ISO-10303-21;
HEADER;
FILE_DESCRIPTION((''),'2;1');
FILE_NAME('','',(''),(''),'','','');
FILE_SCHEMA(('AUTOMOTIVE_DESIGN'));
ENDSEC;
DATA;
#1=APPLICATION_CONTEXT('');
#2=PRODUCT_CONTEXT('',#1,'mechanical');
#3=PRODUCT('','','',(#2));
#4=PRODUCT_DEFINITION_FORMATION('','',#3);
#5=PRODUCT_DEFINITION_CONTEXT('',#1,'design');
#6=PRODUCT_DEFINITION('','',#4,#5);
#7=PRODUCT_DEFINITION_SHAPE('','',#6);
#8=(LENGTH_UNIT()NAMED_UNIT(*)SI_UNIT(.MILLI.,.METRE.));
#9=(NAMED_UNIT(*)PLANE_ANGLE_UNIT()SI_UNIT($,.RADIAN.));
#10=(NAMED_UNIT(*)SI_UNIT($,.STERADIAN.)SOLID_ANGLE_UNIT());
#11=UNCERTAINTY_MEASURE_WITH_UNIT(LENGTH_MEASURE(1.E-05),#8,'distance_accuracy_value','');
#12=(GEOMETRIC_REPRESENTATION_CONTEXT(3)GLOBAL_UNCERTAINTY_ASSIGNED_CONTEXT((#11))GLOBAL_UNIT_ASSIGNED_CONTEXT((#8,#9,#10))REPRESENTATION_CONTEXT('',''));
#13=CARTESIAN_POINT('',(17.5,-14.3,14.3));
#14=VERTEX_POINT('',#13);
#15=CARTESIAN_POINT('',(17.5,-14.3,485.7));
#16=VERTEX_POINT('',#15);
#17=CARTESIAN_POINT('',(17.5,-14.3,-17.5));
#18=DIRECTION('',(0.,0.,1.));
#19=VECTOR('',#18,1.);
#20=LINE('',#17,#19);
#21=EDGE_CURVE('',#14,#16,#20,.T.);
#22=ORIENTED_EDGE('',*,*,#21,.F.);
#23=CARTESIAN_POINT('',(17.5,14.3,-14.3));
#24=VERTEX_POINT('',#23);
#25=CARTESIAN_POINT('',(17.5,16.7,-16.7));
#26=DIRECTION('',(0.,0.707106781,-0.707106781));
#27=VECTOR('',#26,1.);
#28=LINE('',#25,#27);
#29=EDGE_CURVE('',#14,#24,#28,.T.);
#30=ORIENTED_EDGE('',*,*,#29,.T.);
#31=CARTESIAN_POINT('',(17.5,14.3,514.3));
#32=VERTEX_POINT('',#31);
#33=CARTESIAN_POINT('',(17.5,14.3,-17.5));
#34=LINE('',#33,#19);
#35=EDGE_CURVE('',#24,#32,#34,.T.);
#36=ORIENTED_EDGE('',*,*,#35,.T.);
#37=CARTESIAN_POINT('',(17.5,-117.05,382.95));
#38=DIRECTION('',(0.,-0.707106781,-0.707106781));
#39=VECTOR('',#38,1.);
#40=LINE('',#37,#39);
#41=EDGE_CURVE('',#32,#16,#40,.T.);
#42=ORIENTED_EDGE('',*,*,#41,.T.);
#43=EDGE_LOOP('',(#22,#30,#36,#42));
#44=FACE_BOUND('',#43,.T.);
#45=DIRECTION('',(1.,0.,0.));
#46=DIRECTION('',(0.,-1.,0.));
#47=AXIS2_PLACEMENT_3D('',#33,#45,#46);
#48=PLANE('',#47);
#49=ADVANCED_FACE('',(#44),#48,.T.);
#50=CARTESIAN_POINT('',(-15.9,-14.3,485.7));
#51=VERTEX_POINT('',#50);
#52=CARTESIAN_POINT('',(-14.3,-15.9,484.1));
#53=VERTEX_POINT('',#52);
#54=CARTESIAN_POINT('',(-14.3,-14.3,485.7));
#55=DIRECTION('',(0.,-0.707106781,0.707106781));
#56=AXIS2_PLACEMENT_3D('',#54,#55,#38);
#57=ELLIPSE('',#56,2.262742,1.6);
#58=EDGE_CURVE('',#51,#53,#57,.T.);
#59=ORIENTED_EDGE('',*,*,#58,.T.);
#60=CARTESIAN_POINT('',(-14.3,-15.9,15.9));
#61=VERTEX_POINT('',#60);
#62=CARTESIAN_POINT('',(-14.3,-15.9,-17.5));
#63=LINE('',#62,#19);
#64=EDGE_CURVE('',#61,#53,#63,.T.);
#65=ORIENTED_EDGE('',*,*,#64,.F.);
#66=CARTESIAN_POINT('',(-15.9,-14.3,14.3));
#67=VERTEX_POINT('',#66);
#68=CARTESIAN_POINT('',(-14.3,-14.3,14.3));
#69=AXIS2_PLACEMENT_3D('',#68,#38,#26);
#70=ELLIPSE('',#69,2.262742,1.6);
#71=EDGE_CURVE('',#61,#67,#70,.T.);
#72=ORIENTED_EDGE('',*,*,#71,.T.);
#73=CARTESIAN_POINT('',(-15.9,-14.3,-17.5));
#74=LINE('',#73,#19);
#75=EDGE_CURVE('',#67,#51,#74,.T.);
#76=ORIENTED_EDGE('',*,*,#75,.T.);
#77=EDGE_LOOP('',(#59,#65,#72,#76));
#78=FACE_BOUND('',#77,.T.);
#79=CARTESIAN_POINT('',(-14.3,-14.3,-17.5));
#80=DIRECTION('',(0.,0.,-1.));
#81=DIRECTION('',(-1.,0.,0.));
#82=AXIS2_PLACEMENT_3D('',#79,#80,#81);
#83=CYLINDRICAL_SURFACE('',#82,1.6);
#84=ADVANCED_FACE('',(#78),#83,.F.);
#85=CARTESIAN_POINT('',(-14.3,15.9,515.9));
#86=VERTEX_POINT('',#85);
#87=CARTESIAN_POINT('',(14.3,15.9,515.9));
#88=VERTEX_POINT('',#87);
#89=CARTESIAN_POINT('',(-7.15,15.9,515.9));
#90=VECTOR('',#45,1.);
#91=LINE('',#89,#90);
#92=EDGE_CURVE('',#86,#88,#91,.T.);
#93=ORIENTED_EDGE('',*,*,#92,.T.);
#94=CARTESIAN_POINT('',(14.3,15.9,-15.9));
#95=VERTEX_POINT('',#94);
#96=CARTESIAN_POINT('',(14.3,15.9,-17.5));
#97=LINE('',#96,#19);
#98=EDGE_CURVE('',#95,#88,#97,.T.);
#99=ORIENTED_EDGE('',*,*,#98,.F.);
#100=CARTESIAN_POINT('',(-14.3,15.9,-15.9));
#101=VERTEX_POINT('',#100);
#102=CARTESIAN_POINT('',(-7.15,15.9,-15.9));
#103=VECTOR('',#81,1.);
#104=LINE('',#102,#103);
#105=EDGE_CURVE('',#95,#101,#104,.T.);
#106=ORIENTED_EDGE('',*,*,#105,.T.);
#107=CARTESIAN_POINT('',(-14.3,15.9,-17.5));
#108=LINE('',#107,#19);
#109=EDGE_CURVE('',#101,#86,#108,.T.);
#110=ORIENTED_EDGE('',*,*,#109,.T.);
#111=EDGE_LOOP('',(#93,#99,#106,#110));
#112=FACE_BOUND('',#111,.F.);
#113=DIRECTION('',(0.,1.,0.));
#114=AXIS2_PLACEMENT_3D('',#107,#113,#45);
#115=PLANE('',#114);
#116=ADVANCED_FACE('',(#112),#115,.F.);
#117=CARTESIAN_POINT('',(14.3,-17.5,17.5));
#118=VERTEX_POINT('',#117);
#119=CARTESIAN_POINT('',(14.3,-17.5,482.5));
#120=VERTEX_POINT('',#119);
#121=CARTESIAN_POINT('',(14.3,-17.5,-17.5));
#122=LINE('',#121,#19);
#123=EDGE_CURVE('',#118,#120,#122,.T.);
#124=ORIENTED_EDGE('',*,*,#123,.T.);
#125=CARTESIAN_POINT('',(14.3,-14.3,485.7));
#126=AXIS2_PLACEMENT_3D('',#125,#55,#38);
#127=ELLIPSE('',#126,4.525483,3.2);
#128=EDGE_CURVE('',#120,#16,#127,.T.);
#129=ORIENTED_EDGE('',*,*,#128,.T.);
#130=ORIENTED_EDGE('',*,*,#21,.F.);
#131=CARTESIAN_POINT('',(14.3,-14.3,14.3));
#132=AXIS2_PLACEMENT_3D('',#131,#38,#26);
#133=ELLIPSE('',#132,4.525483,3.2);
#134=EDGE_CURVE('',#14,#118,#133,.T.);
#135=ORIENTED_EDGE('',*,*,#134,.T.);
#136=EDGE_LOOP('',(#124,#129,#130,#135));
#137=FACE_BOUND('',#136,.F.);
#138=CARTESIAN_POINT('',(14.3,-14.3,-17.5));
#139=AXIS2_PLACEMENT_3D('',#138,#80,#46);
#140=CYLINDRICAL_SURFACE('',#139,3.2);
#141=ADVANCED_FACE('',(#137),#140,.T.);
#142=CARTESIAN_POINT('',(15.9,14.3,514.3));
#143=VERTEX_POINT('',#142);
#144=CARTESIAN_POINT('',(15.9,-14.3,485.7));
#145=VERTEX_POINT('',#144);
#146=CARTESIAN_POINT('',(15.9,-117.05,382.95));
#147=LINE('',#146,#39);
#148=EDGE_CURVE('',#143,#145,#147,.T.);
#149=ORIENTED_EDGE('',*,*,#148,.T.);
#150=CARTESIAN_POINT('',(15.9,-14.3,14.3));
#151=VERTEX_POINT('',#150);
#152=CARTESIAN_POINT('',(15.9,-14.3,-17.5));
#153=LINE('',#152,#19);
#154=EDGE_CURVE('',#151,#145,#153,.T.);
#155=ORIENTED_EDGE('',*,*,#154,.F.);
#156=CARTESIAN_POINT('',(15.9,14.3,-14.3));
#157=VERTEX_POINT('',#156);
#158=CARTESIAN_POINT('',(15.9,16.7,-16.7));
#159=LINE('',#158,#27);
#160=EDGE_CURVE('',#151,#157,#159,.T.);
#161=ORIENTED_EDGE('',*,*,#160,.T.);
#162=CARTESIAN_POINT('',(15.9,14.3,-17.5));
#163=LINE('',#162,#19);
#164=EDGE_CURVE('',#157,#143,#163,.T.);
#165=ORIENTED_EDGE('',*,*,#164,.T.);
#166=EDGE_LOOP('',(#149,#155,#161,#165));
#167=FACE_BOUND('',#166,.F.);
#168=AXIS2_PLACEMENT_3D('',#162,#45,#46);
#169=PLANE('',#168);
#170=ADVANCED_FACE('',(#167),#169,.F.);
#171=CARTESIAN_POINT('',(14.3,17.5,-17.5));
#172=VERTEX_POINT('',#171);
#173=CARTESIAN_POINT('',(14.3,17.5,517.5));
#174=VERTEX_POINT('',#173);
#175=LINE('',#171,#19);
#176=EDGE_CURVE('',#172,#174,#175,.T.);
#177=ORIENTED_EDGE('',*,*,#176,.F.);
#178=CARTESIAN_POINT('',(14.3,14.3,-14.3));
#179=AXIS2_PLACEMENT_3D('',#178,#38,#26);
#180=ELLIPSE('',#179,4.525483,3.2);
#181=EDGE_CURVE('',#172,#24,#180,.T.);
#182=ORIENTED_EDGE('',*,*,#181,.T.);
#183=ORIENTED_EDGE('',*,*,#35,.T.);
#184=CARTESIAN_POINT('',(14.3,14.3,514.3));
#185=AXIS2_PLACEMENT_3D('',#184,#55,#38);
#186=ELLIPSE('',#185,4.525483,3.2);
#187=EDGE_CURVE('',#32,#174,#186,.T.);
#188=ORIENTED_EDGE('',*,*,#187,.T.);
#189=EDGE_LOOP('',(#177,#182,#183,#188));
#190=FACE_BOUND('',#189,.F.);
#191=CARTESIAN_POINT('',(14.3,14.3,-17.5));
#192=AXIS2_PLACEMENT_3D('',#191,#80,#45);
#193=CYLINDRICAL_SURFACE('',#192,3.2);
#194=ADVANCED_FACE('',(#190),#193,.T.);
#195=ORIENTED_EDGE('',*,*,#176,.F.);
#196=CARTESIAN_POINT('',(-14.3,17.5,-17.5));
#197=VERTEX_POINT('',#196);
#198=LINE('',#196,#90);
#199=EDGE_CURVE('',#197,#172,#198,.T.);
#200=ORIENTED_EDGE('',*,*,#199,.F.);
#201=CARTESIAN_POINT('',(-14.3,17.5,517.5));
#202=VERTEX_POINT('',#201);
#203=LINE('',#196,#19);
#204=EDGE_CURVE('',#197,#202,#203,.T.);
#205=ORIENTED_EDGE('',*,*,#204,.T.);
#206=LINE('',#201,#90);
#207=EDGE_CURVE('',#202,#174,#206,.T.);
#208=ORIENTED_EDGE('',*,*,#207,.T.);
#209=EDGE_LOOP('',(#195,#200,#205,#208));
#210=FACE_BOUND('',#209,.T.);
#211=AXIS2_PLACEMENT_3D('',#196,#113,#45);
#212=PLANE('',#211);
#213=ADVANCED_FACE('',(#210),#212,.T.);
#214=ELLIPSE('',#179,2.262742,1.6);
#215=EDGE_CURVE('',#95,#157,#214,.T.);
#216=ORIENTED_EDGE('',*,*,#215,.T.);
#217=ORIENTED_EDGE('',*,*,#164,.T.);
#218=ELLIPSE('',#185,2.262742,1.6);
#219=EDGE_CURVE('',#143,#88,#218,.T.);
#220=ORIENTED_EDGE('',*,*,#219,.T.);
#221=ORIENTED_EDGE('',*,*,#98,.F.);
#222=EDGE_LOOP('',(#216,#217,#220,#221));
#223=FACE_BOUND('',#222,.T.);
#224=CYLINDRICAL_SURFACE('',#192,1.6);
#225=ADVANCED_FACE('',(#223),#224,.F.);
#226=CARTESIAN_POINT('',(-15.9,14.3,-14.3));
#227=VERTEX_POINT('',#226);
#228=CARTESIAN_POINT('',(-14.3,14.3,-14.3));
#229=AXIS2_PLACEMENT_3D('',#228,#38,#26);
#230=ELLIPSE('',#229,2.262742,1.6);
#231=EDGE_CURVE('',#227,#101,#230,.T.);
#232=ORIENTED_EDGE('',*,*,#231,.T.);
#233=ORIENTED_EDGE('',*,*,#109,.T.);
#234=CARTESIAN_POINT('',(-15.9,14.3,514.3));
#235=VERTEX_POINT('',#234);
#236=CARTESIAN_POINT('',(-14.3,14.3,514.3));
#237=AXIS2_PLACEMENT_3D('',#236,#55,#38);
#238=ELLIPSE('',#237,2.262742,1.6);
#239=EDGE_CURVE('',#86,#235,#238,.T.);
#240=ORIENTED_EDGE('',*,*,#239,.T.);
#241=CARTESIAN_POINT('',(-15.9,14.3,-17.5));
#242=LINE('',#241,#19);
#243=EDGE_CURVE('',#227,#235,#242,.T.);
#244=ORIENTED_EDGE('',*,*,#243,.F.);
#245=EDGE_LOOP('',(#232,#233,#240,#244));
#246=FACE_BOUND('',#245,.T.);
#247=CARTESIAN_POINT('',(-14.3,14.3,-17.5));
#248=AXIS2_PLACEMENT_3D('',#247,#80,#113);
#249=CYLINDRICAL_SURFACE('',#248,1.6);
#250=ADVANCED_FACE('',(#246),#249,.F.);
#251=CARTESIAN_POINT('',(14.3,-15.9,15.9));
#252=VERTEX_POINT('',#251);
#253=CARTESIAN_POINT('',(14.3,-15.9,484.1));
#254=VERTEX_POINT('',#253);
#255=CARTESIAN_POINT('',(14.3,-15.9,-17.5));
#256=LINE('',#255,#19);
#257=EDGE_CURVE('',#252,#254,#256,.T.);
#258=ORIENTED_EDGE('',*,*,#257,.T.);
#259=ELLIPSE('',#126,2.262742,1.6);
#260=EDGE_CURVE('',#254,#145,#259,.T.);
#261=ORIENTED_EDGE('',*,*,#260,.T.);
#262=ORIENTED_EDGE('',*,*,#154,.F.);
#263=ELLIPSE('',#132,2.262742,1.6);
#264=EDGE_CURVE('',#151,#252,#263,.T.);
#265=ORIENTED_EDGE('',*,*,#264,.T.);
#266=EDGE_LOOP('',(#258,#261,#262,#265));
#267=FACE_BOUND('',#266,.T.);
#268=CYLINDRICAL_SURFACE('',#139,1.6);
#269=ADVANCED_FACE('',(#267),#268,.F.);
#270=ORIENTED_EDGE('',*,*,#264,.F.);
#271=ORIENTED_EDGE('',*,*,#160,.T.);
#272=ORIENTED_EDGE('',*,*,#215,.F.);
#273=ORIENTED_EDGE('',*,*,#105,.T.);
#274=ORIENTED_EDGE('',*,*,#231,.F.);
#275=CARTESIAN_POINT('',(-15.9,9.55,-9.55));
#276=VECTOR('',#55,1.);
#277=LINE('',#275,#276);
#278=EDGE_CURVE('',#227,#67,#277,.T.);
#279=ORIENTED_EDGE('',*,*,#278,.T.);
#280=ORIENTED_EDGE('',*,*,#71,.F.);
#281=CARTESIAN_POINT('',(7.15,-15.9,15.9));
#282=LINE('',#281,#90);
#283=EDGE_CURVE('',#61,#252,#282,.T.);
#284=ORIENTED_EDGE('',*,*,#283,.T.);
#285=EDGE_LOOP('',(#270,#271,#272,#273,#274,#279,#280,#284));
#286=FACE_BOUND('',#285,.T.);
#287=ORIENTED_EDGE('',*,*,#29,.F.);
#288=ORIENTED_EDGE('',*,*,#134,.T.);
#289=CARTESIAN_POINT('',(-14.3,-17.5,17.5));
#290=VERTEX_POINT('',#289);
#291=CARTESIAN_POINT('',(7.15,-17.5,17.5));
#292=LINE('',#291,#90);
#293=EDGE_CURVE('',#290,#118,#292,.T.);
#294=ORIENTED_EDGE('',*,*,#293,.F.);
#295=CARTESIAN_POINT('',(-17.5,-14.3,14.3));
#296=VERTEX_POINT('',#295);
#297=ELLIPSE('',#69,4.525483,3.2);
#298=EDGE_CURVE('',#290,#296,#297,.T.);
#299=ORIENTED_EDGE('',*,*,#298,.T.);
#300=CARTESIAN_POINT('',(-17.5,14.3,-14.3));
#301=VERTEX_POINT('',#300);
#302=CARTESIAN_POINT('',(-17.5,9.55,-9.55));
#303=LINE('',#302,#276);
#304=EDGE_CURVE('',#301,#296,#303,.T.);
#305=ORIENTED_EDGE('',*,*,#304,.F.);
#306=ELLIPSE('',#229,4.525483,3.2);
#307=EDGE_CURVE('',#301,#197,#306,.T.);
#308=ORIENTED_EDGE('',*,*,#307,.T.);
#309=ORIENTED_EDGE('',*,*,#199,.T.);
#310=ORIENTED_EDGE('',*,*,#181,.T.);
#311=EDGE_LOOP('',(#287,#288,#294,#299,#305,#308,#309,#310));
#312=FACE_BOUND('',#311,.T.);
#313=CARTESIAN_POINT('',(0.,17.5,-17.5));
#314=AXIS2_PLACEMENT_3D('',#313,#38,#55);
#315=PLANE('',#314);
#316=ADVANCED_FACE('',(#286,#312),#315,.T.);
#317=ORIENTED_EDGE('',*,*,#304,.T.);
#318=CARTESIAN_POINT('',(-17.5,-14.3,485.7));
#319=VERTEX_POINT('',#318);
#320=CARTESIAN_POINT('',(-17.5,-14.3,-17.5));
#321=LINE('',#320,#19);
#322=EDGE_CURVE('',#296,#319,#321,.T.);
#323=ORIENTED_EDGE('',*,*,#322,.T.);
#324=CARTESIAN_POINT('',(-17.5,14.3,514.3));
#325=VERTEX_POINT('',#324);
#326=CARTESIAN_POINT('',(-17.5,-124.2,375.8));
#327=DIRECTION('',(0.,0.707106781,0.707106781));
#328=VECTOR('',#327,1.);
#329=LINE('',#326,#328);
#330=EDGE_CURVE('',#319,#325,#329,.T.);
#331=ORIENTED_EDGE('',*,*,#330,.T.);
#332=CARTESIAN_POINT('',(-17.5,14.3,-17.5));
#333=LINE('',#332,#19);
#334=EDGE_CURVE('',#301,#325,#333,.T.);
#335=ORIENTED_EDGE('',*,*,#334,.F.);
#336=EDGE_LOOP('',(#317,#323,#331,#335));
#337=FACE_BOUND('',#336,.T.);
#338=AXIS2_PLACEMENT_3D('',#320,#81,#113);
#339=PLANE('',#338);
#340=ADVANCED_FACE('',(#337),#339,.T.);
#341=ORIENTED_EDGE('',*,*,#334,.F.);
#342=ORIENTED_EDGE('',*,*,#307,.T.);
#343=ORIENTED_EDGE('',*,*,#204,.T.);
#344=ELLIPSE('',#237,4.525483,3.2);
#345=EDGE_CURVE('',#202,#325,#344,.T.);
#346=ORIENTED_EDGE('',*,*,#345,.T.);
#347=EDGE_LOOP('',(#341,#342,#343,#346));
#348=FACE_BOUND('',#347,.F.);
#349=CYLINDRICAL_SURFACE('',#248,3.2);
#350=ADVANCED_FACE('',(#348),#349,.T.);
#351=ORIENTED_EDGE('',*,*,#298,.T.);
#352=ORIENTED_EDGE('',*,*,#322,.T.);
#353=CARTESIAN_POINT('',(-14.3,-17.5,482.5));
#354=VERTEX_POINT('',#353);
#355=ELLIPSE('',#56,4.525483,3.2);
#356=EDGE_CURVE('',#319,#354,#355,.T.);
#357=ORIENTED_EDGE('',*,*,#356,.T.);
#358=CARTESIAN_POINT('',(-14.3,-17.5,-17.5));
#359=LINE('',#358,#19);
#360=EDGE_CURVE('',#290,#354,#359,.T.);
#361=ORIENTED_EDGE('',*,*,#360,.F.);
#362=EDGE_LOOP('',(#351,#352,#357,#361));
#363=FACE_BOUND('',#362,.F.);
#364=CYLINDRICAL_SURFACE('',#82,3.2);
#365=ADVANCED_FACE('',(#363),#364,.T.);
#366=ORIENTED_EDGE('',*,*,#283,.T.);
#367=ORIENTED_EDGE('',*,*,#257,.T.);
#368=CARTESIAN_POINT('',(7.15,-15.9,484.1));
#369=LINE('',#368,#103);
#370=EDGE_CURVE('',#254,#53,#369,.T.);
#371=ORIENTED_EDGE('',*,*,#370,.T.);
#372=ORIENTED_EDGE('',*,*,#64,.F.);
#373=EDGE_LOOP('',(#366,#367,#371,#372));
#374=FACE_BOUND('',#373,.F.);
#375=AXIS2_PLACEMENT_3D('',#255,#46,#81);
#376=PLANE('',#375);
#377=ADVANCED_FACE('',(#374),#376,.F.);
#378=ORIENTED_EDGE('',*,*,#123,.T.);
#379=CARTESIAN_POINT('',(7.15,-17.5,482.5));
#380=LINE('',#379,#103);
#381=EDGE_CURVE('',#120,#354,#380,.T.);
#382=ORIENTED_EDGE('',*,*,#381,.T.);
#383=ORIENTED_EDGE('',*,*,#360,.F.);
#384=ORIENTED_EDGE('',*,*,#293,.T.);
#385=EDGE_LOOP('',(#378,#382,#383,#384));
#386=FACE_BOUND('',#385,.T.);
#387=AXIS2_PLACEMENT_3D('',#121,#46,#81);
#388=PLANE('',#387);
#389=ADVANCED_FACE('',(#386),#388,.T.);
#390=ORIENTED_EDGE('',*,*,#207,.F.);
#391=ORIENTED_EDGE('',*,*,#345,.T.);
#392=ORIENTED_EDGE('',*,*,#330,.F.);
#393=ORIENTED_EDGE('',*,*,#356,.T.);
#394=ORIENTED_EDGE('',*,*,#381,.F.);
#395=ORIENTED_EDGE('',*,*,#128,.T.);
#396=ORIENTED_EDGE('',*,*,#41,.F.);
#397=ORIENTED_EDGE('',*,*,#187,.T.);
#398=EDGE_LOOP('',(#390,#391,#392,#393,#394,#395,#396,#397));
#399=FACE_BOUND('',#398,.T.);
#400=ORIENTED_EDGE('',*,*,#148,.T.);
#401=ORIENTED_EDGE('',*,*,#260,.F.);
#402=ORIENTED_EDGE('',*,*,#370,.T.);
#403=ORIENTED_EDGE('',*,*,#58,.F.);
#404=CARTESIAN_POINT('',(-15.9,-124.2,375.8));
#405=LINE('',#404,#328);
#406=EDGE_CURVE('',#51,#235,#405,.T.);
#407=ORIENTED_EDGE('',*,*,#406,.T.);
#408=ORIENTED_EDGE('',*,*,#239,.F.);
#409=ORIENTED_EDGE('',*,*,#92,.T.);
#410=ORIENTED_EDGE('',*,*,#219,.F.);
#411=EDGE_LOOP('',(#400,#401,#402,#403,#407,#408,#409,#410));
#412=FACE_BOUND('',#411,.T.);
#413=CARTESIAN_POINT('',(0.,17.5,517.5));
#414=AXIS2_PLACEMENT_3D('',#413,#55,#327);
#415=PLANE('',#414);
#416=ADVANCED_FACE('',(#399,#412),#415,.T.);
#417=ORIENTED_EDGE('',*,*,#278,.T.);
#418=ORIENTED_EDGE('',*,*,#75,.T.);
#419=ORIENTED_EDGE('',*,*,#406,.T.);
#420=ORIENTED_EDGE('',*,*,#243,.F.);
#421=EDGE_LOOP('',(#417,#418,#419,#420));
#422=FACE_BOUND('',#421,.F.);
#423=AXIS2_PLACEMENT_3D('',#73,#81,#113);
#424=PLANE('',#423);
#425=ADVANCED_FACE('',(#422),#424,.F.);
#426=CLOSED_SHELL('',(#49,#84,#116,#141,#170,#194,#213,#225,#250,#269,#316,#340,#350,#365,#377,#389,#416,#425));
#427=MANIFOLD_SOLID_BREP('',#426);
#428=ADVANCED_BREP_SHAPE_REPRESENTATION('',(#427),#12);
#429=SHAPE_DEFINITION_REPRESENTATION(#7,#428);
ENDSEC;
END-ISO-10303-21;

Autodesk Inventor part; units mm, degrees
ref_plane "Start plane" through (0, 0, -17.5) normal (0, 0, 1) x (1, 0, 0)
ref_plane "End plane" through (0, 0, 517.5) normal (0, 0, 1) x (1, 0, 0)
sketch "Sketch" plane through (0, 0, 0) normal (0, 0, 1) x (1, 0, 0)
  line L0 (-17.5, -14.3) -> (-17.5, 14.3)
  line L1 (-14.3, 17.5) -> (14.3, 17.5)
  line L2 (17.5, 14.3) -> (17.5, -14.3)
  line L3 (14.3, -17.5) -> (-14.3, -17.5)
  arc A0 (-17.5, -14.3) -> (-14.3, -17.5) centre (-14.3, -14.3) ccw
  arc A1 (-14.3, 17.5) -> (-17.5, 14.3) centre (-14.3, 14.3) ccw
  arc A2 (17.5, 14.3) -> (14.3, 17.5) centre (14.3, 14.3) ccw
  arc A3 (14.3, -17.5) -> (17.5, -14.3) centre (14.3, -14.3) ccw
  arc A4 (-14.3, 15.9) -> (-15.9, 14.3) centre (-14.3, 14.3) ccw
  line L4 (-14.3, 15.9) -> (14.3, 15.9)
  arc A5 (15.9, 14.3) -> (14.3, 15.9) centre (14.3, 14.3) ccw
  line L5 (15.9, 14.3) -> (15.9, -14.3)
  arc A6 (14.3, -15.9) -> (15.9, -14.3) centre (14.3, -14.3) ccw
  line L6 (14.3, -15.9) -> (-14.3, -15.9)
  arc A7 (-15.9, -14.3) -> (-14.3, -15.9) centre (-14.3, -14.3) ccw
  line L7 (-15.9, -14.3) -> (-15.9, 14.3)
  line L8 (0, 25.4278) -> (0, -25.4278) construction
  line L9 (-25.4278, 0) -> (25.4278, 0) construction
  dimension "d7" = 3.2
  dimension "d10" = 35
  dimension "d11" = 35
  dimension "d12" = 1.6
  dimension "d15" = 17.5
  dimension "d16" = 17.5
extrude "Body" add sketch "Sketch" along normal up to surface (535 mm away) from surface at -17.5
sketch "Sketch3" plane through (0, 0, 0) normal (0, 0, 1) x (1, 0, 0)
  line L0 (0, 0) -> (10, 0)
ref_plane "Work Plane3" through (0, 0, 0) normal (0, -1, 0) x (1, 0, 0)
sketch "Sketch4" plane through (0, 0, 0) normal (0, -1, 0) x (1, 0, 0)
  line L0 (-2, -17.5) -> (12, -17.5)
  line L1 (-2, 517.5) -> (12, 517.5)
  dimension "d18" = 535
ref_plane "Work Plane4" through (17.5, 0, -17.5) normal (0, 0, -1) x (-1, 0, 0)
split "Split1" plane through (17.5, 0, -17.5) removes the side toward (0, 0, -1)
ref_plane "Work Plane5" through (0, 17.5, 517.5) normal (0, -0.7071, 0.7071) x (1, 0, 0)
split "Split2" plane through (0, 17.5, 517.5) removes the side toward (0, -0.7071, 0.7071)
ref_plane "Work Plane15" through (0, 17.5, -17.5) normal (0, -0.7071, -0.7071) x (1, 0, 0)
split "Split6" plane through (0, 17.5, -17.5) removes the side toward (0, -0.7071, -0.7071)
equation "\"d7\" = G_IR"
equation "\"d10\" = G_H"
equation "\"d11\" = G_W"
equation "\"d12\" = G_T"
equation "\"d15\" = 0.5 * d10"
equation "\"d16\" = 0.5 * d11"
equation "\"d3\" = G_L"
equation "\"G_W\" = 35"
equation "\"G_H\" = 35"
equation "\"G_T\" = 1.6"
equation "\"G_IR\" = 3.2"
equation "\"G_L\" = 535"
equation "\"G_OFFSET_START\" = 17.5"
equation "\"G_OFFSET_END\" = 17.5"
equation "\"d13\" = -G_OFFSET_START"
equation "\"d14\" = G_OFFSET_END + B_L"
equation "\"B_L\" = 500"
properties part number "AS 1163 - C350L0 35x35x1.6 SHS - 535" material "Steel, Mild"
